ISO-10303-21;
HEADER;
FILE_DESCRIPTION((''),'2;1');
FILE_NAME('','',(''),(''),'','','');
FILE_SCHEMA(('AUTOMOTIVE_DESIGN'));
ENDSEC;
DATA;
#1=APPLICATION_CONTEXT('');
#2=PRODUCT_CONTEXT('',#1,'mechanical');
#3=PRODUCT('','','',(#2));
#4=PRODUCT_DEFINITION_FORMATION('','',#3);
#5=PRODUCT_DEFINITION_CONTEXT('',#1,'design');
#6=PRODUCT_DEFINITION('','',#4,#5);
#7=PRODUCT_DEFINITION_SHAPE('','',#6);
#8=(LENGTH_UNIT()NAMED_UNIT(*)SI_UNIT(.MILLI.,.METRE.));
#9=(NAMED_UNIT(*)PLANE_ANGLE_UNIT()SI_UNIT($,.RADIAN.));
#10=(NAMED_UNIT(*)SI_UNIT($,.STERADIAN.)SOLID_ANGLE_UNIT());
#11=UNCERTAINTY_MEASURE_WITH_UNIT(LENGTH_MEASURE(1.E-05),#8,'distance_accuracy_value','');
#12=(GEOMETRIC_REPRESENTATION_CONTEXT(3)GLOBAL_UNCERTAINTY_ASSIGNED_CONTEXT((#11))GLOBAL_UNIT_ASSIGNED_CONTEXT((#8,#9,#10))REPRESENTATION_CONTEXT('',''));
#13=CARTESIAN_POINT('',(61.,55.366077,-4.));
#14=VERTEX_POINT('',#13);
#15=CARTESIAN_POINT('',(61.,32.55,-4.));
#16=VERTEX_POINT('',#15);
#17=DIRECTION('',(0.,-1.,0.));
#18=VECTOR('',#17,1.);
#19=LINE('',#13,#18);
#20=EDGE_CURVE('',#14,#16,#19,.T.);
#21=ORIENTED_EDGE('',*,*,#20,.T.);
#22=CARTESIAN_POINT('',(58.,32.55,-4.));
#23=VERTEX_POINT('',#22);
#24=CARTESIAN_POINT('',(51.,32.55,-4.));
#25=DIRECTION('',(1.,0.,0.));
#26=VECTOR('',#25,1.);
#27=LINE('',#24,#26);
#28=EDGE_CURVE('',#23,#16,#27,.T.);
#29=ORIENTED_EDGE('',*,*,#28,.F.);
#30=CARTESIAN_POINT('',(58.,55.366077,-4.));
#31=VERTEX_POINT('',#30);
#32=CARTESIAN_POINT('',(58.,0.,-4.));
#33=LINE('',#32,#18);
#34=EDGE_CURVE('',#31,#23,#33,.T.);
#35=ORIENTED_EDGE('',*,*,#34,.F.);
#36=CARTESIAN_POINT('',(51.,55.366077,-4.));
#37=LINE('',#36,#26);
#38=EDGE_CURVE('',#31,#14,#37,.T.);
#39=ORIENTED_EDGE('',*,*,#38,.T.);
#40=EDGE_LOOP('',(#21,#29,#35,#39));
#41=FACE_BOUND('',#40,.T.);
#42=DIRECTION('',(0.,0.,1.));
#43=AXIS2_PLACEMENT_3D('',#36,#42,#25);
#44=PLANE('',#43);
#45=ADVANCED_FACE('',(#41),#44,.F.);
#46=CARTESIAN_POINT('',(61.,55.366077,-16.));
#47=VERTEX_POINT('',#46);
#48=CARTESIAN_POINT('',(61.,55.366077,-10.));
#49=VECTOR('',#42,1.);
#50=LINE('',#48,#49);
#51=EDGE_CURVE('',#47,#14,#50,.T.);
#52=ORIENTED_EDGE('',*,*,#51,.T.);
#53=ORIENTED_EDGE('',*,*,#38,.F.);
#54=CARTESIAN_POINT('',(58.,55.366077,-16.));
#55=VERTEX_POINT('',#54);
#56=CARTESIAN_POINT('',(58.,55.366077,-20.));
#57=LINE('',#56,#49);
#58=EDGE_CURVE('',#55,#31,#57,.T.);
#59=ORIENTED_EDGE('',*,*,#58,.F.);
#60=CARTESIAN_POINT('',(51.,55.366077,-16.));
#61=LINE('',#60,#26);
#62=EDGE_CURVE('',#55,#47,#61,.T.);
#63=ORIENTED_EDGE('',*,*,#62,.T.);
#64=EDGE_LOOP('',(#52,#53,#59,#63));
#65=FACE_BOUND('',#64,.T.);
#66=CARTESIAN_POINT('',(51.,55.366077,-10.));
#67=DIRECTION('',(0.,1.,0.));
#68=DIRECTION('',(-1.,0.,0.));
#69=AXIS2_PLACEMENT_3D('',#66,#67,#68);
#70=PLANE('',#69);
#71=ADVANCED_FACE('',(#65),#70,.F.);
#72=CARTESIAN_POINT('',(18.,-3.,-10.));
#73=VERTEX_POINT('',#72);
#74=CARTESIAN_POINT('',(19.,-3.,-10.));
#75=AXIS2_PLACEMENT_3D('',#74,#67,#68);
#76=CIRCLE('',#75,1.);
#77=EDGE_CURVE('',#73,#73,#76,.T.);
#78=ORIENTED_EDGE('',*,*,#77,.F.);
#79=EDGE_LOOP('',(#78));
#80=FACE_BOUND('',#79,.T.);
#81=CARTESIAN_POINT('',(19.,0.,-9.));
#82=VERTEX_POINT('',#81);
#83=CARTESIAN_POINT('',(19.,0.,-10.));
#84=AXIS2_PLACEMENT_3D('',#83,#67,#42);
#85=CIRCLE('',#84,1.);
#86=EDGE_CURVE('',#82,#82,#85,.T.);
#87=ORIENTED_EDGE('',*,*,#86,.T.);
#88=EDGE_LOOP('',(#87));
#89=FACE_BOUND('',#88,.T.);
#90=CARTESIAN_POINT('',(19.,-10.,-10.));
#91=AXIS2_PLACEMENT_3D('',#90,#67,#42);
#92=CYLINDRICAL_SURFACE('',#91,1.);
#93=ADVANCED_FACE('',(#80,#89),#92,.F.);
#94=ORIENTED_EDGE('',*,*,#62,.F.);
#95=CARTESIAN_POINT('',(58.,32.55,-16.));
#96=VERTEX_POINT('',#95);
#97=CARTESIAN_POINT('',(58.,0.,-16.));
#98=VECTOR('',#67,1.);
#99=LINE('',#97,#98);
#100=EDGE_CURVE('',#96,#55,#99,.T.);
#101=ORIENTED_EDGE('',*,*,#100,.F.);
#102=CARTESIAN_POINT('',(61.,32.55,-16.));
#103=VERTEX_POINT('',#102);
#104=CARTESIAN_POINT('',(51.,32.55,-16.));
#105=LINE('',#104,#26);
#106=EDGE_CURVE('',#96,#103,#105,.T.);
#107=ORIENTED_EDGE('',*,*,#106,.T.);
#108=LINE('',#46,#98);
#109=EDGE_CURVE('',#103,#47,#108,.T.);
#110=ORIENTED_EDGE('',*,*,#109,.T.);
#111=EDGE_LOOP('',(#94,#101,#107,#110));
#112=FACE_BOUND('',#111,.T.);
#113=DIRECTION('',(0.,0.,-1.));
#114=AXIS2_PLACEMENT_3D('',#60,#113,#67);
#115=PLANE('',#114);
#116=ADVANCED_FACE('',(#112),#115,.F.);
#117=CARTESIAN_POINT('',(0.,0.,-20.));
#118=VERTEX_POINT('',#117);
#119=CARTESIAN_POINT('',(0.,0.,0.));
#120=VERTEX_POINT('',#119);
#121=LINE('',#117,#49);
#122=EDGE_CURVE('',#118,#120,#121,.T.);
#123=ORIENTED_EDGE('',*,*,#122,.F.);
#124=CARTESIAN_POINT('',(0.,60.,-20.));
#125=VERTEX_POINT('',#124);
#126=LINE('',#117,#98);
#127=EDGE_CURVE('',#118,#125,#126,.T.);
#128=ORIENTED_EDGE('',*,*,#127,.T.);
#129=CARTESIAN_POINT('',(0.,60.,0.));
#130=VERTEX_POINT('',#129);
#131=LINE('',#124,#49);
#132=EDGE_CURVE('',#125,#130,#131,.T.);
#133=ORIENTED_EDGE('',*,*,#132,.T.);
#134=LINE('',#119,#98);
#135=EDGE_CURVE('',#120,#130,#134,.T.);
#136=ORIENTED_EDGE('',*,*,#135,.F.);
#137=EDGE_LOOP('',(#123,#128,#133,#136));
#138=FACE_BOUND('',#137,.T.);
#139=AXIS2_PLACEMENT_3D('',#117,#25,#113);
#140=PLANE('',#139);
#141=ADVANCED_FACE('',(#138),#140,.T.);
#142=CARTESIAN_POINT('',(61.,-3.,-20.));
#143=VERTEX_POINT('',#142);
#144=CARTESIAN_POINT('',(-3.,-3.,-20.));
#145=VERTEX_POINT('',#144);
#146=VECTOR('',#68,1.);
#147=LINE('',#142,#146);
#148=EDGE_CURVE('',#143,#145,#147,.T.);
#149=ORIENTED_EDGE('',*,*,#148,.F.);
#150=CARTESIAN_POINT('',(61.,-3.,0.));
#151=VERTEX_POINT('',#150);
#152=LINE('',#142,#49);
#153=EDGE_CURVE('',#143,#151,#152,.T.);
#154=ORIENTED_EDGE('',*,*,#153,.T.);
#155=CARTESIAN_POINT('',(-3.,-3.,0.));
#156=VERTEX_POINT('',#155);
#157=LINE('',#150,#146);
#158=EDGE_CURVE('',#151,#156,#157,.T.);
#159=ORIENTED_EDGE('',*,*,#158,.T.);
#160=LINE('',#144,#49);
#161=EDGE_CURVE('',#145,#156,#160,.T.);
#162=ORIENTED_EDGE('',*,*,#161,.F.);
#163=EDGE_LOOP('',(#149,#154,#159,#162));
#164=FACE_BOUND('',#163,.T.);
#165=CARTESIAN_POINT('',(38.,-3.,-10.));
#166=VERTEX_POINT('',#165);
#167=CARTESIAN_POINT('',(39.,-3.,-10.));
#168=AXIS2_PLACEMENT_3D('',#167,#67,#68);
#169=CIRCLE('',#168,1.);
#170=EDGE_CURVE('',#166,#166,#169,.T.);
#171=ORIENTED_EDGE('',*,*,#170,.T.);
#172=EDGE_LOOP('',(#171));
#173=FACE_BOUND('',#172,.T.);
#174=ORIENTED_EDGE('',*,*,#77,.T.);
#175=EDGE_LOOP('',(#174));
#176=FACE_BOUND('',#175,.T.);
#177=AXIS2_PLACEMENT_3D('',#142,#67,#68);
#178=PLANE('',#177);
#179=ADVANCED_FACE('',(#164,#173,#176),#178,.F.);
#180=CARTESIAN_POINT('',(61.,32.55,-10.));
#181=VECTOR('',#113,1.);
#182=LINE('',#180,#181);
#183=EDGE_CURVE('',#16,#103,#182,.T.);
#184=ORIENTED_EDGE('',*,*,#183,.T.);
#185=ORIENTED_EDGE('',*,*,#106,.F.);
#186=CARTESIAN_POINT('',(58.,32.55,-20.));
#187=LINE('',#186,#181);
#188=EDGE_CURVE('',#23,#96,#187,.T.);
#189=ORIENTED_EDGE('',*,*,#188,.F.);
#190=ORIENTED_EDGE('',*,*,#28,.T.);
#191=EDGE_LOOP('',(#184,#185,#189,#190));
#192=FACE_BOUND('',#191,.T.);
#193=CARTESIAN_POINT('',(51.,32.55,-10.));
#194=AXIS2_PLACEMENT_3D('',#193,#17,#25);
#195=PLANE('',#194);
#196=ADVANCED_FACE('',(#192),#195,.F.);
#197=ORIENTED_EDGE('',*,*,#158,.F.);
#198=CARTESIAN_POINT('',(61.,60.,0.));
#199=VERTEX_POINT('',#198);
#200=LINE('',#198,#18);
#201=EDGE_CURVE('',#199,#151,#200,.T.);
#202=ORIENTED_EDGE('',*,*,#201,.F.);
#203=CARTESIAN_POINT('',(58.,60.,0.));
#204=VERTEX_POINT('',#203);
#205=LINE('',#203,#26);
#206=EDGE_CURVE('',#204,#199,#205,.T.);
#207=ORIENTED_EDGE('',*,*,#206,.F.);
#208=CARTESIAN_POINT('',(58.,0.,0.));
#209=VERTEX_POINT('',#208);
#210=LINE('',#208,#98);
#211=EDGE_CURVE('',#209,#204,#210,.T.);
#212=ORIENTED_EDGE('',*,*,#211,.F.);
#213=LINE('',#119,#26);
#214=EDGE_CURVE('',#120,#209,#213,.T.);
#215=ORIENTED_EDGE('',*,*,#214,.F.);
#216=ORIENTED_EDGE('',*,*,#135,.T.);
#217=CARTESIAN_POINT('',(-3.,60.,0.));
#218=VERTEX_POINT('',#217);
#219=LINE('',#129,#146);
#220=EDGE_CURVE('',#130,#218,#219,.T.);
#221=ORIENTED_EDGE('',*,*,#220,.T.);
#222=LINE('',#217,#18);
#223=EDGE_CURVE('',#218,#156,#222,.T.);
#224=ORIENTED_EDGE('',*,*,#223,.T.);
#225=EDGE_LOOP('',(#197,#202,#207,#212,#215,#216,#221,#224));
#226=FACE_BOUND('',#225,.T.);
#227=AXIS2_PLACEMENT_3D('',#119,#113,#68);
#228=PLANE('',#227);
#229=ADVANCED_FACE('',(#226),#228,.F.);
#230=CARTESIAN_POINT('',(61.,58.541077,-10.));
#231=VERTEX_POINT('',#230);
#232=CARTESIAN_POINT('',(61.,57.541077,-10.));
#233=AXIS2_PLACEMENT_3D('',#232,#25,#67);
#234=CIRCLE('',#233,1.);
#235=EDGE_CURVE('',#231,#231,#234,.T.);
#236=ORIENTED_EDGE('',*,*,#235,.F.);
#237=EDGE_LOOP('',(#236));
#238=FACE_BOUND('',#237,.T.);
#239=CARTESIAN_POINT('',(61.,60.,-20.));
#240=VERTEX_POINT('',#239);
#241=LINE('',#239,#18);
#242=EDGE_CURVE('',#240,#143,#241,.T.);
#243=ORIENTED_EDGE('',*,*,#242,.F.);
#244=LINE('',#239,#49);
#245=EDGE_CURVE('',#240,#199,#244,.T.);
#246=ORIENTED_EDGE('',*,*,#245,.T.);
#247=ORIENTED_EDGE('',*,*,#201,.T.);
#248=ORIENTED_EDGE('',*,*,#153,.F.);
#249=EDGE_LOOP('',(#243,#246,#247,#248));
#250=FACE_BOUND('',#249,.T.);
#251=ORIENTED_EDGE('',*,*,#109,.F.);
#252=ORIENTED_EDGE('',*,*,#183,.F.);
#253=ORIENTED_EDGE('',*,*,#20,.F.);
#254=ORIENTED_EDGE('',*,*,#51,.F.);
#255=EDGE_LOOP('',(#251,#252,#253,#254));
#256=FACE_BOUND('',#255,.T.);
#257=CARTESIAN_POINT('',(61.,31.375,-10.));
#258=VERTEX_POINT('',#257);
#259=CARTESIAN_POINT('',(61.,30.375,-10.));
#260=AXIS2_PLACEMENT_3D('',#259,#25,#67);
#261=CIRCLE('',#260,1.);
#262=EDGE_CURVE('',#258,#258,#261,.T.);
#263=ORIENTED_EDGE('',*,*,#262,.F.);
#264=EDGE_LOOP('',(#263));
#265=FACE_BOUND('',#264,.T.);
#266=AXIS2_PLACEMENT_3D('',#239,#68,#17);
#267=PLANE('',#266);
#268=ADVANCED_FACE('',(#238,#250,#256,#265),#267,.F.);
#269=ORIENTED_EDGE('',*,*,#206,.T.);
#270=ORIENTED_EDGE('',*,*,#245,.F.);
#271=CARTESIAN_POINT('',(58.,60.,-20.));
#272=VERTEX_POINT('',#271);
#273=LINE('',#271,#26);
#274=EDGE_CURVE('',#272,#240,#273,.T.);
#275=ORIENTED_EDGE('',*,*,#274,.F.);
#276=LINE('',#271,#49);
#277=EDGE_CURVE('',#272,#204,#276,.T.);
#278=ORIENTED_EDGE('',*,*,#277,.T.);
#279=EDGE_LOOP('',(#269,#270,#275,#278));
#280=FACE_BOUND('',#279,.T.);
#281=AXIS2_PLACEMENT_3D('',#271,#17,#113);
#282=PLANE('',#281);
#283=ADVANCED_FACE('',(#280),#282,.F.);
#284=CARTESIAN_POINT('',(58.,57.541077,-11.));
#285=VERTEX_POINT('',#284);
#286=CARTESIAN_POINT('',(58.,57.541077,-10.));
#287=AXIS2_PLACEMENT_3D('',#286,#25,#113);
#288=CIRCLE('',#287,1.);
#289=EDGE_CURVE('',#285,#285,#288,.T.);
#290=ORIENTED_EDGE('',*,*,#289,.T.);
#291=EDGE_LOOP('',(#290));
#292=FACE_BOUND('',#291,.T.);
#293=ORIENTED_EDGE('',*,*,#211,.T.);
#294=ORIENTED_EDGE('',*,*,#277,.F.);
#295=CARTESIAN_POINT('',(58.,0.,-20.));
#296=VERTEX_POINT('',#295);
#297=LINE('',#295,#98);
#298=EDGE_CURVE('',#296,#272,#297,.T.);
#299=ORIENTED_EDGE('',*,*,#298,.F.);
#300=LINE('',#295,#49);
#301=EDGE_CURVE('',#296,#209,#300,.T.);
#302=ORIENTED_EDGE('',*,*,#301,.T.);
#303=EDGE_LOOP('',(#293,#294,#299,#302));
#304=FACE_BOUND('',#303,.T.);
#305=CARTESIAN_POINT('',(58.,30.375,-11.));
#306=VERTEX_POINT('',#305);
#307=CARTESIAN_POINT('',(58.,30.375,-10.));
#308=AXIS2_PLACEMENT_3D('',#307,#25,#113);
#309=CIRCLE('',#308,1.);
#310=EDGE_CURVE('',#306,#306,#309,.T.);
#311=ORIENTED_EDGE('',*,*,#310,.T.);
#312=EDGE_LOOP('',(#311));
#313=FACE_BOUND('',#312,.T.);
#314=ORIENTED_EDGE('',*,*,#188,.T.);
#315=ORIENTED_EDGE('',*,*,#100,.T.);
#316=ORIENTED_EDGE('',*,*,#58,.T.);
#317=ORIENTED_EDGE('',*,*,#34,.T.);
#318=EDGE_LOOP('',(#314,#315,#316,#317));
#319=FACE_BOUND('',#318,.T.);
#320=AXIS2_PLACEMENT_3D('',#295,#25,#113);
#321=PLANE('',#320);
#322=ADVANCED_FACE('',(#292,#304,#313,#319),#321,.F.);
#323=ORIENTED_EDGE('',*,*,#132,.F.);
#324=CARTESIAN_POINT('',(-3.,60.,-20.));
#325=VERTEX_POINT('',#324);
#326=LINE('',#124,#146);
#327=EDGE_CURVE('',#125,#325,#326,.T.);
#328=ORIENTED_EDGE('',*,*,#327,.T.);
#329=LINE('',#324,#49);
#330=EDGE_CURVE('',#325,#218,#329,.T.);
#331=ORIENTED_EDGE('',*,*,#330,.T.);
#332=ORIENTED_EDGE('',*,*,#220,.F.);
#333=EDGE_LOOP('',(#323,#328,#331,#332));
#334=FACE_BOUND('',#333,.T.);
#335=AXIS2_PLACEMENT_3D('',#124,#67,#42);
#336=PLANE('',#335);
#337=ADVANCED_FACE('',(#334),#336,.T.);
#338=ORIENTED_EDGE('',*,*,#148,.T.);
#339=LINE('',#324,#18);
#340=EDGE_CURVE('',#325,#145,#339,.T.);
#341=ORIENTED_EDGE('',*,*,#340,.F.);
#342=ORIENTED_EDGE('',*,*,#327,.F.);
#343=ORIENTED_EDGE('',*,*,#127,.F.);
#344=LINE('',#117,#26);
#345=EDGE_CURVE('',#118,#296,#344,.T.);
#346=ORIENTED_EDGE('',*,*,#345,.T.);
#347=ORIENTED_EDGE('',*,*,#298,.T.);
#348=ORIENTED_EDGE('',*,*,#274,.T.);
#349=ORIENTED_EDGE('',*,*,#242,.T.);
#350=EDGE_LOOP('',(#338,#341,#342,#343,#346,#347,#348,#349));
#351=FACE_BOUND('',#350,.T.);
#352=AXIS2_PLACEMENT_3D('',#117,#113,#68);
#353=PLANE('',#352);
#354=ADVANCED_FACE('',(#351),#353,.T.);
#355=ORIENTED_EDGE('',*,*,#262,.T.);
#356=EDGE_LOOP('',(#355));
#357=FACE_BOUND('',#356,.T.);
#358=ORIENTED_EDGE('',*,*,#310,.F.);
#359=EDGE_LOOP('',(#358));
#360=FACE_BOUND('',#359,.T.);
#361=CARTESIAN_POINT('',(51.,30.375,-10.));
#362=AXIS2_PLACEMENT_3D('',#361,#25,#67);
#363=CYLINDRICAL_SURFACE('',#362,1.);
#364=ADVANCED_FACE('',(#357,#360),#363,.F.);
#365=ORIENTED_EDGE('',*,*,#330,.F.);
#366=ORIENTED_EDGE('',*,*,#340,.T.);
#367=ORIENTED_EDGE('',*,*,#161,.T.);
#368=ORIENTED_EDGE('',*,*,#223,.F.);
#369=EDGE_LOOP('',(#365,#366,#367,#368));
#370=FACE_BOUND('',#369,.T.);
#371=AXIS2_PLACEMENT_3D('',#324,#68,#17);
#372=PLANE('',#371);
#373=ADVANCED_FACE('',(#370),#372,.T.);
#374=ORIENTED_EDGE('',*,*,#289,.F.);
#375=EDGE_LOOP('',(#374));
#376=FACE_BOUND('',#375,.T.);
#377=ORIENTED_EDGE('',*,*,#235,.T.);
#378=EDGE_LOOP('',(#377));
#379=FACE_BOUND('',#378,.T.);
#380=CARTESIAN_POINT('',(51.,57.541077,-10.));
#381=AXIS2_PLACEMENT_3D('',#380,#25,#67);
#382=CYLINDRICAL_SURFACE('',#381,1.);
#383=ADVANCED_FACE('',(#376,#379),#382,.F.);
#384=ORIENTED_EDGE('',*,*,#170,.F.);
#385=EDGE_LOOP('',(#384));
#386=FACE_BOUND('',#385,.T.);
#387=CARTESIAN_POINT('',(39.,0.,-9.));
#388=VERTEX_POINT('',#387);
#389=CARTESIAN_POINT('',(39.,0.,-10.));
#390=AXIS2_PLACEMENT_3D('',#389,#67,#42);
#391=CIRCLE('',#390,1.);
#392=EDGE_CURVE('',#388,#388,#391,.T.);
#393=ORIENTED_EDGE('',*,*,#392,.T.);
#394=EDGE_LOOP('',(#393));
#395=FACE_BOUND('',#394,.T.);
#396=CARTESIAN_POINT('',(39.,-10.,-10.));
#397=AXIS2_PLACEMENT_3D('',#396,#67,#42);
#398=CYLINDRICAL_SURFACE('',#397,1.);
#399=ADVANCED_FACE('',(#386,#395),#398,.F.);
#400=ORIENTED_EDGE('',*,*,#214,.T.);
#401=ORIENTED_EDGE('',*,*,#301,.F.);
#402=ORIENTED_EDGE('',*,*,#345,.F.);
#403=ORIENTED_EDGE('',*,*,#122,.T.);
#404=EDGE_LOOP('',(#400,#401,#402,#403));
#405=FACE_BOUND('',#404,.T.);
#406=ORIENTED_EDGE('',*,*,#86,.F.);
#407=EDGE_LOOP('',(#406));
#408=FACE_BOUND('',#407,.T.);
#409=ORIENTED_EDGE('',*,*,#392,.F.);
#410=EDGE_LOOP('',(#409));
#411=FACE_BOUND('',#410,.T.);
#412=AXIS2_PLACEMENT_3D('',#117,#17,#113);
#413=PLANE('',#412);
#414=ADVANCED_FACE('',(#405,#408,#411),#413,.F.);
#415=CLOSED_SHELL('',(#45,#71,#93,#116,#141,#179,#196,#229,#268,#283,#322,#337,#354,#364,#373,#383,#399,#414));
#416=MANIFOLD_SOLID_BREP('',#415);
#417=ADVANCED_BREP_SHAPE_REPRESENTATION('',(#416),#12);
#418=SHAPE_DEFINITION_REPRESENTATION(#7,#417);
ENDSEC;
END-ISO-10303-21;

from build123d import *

# Parameters (mm, degrees)
BOSS_EXTRUDE1_DEPTH = 20
SKETCH3_R           = 1
CUT_EXTRUDE1_DEPTH  = 10
SKETCH4_R           = 1
CUT_EXTRUDE2_DEPTH  = 10


with BuildPart() as part:
    # Sketch1 → Boss-Extrude1 (new body)
    with BuildSketch(Plane.XY):
        Polygon((0, 0), (58, 0), (58, 60), (61, 60), (61, -3), (-3, -3), (-3, 60), (0, 60), align=None)
    extrude(amount=-BOSS_EXTRUDE1_DEPTH)

    # Sketch3 → Cut-Extrude1 (cut)
    with BuildSketch(Plane(origin=(61, 0, 0), x_dir=(0, 0, -1), z_dir=(1, 0, 0))):
        with Locations((10, 57.541077174)):
            Circle(SKETCH3_R)
        with Locations((10, 30.375)):
            Circle(SKETCH3_R)
        Polygon((10, 32.55), (16, 32.55), (16, 55.366077174), (10, 55.366077174), (4, 55.366077174), (4, 32.55), align=None)
    extrude(amount=-CUT_EXTRUDE1_DEPTH, mode=Mode.SUBTRACT)

    # Sketch4 → Cut-Extrude2 (cut)
    with BuildSketch(Plane(origin=(0, 0, 0), x_dir=(1, 0, 0), z_dir=(0, 1, 0))):
        with Locations((19, 10)):
            Circle(SKETCH4_R)
        with Locations((39, 10)):
            Circle(SKETCH4_R)
    extrude(amount=-CUT_EXTRUDE2_DEPTH, mode=Mode.SUBTRACT)


solid = part.part
